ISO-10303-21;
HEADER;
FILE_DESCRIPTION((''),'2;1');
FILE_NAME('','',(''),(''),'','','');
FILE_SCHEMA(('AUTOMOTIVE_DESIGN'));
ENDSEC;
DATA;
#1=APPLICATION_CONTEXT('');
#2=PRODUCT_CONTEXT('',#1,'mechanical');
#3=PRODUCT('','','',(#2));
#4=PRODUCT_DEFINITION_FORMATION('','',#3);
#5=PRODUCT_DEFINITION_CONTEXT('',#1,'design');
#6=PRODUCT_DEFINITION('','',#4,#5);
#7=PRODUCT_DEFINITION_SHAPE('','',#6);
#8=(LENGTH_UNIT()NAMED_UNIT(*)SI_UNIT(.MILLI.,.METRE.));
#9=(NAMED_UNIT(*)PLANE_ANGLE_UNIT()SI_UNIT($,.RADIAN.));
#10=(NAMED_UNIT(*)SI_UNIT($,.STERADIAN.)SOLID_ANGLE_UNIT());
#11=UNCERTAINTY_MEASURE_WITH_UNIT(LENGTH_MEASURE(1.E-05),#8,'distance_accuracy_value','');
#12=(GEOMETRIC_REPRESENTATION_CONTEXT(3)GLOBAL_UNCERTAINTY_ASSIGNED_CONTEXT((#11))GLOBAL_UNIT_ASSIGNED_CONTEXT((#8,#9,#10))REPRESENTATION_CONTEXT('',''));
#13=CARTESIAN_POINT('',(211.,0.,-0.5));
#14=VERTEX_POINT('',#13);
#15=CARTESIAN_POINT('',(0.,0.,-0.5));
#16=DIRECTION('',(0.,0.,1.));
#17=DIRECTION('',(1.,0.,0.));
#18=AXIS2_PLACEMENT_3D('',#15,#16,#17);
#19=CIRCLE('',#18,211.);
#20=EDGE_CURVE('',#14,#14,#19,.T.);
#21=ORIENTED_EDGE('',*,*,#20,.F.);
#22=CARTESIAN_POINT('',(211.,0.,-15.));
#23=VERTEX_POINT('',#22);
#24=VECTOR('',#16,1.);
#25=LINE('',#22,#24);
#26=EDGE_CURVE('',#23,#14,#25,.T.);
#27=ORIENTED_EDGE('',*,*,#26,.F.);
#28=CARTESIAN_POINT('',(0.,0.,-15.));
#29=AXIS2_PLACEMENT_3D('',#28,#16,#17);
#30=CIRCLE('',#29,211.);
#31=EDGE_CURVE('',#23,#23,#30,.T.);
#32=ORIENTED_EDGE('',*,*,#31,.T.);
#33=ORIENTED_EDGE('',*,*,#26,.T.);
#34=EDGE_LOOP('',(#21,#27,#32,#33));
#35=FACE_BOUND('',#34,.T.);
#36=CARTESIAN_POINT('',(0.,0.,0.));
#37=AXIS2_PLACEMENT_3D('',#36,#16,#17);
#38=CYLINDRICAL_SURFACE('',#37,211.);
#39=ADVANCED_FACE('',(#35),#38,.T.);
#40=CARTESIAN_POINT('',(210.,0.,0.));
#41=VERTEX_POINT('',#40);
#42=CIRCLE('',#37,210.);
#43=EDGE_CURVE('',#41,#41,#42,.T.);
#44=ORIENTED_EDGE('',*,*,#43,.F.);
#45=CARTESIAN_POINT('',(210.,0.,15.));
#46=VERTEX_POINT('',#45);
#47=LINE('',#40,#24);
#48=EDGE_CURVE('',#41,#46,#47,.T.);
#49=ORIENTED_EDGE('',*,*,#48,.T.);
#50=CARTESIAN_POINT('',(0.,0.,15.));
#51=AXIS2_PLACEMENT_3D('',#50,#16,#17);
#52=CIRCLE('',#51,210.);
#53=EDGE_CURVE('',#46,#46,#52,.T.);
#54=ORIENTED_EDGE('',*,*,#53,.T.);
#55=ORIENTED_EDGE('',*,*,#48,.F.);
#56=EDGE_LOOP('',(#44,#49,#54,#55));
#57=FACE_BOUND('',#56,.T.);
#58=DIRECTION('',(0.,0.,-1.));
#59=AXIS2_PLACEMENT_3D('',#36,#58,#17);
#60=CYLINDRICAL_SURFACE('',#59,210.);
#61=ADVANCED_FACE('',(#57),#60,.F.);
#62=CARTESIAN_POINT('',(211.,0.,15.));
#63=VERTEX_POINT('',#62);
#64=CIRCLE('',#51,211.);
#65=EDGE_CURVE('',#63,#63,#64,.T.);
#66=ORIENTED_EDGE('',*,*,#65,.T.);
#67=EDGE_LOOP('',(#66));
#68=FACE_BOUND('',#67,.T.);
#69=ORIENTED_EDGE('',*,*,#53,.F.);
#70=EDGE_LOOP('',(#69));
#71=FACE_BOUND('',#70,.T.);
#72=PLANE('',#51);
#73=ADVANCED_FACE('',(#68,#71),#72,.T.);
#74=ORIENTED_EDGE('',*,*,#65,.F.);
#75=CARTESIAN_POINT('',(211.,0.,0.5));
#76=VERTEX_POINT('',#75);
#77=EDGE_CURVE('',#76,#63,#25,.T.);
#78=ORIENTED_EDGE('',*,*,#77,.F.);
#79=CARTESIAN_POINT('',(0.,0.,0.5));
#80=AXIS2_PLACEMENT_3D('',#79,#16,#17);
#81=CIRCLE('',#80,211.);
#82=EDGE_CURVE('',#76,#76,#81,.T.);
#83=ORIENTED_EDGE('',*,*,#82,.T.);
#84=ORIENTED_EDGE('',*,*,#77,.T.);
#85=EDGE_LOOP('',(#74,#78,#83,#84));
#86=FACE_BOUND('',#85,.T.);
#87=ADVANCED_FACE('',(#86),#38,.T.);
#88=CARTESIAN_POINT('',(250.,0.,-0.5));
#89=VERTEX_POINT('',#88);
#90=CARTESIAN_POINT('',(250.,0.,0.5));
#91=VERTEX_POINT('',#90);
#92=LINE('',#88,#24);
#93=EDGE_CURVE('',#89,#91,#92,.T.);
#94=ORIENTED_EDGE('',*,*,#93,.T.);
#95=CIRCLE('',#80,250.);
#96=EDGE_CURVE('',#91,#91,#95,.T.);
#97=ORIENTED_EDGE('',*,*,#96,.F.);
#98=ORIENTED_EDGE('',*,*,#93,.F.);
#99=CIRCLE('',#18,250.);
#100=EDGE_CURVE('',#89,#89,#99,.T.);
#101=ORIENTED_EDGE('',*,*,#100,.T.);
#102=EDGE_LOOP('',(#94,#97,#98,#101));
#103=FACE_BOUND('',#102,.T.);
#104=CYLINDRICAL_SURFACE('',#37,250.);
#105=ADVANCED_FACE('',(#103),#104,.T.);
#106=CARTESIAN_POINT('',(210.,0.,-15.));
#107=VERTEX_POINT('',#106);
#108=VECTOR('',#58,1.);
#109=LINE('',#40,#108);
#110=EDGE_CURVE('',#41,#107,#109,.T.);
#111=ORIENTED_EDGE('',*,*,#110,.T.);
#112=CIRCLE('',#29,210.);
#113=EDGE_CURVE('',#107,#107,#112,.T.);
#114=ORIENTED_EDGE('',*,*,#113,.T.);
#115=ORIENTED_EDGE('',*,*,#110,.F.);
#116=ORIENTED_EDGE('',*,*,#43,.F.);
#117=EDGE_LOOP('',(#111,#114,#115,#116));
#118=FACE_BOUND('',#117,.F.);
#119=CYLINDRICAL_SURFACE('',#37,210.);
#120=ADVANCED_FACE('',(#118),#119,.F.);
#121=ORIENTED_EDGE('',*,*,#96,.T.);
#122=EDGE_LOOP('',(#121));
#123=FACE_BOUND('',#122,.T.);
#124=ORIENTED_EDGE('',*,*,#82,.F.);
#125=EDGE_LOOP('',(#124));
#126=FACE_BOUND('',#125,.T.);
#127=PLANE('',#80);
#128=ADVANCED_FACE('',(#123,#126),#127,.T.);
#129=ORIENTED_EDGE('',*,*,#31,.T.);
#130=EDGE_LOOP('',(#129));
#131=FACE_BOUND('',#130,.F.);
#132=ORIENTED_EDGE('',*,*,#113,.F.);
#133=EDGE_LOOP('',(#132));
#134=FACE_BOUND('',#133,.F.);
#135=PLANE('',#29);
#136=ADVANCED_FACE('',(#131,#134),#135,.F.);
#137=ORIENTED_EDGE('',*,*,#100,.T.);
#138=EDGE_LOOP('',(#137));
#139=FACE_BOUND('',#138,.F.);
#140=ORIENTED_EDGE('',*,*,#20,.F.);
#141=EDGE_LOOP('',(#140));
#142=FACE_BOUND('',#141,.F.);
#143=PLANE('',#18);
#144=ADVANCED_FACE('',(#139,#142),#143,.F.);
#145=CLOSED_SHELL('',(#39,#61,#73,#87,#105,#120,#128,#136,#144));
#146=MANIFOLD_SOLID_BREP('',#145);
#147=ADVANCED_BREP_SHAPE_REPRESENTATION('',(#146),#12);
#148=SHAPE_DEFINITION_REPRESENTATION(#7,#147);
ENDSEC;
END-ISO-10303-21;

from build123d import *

# Parameters (mm, degrees)
F0_R          = 211
F0_R_2        = 210
F1_DEPTH      = 15
F1_DEPTH_BACK = 15
F0_R_3        = 250
F2_DEPTH      = 0.5
F2_DEPTH_BACK = 0.5


with BuildPart() as f1:
    # F0 (on Top) → F1 (new body, two sides)
    with BuildSketch(Plane.XY) as f1_sk:
        Circle(F0_R)
        Circle(F0_R_2, mode=Mode.SUBTRACT)
    extrude(amount=F1_DEPTH)
    extrude(f1_sk.sketch, amount=-F1_DEPTH_BACK)

    # F0 (on Top) → F2 (join, two sides)
    with BuildSketch(Plane.XY) as f2_sk:
        Circle(F0_R_3)
        Circle(F0_R, mode=Mode.SUBTRACT)
    extrude(amount=F2_DEPTH)
    extrude(f2_sk.sketch, amount=-F2_DEPTH_BACK)


solid = f1.part
